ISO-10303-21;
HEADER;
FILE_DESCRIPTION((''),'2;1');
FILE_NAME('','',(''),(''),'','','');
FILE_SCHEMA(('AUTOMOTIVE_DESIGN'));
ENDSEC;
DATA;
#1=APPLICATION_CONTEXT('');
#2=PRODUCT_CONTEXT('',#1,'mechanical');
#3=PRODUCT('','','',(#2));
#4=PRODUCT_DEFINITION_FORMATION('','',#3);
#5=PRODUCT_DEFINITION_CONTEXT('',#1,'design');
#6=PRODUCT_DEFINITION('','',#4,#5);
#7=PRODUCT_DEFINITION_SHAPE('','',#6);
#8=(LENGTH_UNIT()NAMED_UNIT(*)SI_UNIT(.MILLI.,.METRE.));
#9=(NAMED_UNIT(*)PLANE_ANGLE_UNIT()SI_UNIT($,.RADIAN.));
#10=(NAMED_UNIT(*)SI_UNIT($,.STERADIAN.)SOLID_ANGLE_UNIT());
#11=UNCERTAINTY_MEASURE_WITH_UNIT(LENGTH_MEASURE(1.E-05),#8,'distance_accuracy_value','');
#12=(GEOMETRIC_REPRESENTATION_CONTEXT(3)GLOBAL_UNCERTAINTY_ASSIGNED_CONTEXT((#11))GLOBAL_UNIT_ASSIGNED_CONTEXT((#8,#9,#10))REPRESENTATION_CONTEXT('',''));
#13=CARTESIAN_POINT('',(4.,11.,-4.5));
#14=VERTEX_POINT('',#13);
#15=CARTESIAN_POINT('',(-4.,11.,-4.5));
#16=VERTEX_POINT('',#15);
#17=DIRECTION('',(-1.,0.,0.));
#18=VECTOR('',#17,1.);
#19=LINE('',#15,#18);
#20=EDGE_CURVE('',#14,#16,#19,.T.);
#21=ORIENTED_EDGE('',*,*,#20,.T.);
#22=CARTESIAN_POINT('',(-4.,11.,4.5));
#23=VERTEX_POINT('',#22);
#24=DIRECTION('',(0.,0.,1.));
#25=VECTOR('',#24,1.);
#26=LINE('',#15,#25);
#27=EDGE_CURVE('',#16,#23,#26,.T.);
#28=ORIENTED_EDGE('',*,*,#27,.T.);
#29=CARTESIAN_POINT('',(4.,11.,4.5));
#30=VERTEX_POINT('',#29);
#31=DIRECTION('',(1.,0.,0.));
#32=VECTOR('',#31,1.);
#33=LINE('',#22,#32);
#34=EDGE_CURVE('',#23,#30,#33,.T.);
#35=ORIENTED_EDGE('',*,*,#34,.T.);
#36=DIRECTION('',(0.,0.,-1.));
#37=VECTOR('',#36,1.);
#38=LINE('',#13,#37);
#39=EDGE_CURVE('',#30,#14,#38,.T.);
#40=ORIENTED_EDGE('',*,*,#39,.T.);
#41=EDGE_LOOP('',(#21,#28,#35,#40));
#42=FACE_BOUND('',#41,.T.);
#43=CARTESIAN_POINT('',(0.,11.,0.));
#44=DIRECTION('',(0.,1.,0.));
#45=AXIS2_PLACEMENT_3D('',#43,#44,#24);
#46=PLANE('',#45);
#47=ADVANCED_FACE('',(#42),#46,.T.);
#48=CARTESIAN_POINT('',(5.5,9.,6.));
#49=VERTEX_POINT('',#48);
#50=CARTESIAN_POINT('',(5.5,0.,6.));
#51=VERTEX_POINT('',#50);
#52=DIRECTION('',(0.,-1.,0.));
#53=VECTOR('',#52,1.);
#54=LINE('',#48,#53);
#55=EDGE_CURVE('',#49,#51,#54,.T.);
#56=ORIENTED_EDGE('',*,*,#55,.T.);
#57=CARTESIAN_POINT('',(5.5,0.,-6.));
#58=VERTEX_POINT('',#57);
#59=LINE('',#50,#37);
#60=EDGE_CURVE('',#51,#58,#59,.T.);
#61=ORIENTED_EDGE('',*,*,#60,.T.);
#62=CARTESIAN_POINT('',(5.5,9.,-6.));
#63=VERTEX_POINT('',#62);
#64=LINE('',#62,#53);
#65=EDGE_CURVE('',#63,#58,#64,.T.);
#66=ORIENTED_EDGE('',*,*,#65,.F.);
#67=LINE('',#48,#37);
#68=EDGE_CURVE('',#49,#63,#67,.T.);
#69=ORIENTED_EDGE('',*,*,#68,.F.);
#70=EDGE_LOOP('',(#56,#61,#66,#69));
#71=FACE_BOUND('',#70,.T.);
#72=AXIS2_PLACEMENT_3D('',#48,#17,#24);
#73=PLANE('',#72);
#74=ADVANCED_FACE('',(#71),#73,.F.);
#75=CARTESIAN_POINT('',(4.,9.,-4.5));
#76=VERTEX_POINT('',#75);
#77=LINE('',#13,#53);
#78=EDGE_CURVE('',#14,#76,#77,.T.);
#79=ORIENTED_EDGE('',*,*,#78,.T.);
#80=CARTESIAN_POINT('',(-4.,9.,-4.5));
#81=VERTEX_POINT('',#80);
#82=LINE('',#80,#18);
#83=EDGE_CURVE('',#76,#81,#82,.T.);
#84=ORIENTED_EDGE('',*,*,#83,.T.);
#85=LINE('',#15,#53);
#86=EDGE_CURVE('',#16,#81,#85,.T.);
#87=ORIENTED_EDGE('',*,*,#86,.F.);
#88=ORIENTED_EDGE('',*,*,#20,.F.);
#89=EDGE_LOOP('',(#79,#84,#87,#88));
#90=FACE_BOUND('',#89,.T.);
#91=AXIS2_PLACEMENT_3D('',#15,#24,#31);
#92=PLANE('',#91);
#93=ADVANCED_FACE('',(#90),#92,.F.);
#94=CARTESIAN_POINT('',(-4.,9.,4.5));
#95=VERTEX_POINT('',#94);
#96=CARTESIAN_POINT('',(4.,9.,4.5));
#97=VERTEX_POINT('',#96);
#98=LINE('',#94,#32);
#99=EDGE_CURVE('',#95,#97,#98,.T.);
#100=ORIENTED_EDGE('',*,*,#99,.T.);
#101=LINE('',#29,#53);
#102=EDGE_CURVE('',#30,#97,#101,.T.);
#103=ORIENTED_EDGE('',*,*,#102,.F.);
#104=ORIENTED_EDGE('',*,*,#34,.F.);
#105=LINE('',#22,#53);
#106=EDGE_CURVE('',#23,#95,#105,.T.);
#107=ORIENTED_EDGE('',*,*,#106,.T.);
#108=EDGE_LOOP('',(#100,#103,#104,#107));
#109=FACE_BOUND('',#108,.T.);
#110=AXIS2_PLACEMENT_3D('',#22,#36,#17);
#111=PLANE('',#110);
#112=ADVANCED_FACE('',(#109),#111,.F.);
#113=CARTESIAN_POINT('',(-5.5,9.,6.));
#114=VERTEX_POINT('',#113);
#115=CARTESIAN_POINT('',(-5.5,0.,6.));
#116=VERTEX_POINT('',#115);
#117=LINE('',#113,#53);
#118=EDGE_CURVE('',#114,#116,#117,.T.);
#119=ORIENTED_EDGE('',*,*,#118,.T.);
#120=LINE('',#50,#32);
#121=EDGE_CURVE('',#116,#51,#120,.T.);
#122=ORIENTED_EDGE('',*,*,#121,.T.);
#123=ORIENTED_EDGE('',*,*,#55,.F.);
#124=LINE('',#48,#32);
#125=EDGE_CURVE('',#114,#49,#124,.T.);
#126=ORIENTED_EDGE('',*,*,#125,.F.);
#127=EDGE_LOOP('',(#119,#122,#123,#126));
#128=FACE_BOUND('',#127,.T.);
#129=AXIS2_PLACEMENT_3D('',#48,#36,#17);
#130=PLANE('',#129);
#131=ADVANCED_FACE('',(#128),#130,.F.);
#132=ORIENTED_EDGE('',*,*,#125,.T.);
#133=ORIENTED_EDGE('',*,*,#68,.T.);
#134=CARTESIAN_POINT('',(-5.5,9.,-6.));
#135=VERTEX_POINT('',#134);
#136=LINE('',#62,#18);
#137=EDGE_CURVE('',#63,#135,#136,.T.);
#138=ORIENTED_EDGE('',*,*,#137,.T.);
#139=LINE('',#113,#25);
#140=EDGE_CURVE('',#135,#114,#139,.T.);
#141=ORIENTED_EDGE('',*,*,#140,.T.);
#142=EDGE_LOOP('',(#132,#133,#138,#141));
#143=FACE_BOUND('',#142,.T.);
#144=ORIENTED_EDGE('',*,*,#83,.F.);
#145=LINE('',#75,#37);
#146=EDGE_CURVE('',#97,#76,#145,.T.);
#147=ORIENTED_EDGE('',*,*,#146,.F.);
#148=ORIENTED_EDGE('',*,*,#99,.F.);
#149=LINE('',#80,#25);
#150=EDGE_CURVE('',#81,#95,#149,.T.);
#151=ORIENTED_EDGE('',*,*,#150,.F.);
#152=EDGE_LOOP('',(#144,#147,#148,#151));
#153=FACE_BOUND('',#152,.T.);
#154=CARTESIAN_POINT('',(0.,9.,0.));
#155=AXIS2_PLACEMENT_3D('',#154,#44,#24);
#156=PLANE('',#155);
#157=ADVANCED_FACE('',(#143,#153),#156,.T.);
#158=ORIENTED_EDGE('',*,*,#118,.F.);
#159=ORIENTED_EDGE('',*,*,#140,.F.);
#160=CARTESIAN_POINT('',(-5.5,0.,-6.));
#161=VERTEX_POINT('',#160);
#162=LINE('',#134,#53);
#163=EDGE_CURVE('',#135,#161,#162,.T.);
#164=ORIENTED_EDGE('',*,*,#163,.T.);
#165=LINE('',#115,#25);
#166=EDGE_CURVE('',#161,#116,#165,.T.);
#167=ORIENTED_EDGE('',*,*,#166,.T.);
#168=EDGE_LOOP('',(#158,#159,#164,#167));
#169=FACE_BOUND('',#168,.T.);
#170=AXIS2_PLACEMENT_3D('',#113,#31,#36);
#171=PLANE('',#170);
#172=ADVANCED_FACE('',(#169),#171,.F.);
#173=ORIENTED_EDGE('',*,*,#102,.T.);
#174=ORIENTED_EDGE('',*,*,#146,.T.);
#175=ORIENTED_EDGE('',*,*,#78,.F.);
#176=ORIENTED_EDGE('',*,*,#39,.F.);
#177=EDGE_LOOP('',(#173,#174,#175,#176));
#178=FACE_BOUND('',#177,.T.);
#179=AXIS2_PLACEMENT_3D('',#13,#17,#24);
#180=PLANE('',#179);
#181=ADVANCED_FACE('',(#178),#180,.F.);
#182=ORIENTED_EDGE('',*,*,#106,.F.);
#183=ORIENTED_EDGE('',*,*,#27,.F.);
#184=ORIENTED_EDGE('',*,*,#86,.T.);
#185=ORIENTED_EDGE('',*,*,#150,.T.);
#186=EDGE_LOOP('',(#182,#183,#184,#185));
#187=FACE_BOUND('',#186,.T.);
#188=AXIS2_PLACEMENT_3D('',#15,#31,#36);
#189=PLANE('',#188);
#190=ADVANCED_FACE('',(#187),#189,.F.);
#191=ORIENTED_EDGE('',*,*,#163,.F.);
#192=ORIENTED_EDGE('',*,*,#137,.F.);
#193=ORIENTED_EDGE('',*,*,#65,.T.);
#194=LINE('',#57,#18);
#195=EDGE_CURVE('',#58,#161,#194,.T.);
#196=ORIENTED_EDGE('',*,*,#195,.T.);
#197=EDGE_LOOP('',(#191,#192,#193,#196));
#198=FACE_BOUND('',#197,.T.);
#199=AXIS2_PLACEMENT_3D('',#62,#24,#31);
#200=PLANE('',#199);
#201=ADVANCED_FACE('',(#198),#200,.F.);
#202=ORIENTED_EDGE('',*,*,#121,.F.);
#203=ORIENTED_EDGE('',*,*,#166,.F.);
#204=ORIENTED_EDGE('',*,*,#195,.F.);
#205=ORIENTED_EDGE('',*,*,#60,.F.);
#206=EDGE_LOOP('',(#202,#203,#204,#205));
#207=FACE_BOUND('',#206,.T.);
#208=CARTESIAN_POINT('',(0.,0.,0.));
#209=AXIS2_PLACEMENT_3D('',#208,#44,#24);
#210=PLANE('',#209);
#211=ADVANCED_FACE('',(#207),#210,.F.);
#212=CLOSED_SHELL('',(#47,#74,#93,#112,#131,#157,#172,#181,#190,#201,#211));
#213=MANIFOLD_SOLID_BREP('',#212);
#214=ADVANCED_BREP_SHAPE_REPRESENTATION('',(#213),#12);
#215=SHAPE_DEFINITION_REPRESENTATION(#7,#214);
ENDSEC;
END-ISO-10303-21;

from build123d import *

# Parameters (mm, degrees)
SKETCH_1_W      = 11
SKETCH_1_H      = 12
EXTRUDE_1_DEPTH = 9
SKETCH_2_W      = 8
SKETCH_2_H      = 9
EXTRUDE_2_DEPTH = 2


with BuildPart() as part:
    # Эскиз1 → Бобышка-Вытянуть1 (new body)
    with BuildSketch(Plane(origin=(0, 0, 0), x_dir=(1, 0, 0), z_dir=(0, 1, 0))):
        Rectangle(SKETCH_1_W, SKETCH_1_H)
    extrude(amount=EXTRUDE_1_DEPTH)

    # Эскиз2 → Бобышка-Вытянуть2 (add)
    with BuildSketch(Plane(origin=(0, 9, 0), x_dir=(1, 0, 0), z_dir=(0, 1, 0))):
        Rectangle(SKETCH_2_W, SKETCH_2_H)
    extrude(amount=EXTRUDE_2_DEPTH)


solid = part.part
